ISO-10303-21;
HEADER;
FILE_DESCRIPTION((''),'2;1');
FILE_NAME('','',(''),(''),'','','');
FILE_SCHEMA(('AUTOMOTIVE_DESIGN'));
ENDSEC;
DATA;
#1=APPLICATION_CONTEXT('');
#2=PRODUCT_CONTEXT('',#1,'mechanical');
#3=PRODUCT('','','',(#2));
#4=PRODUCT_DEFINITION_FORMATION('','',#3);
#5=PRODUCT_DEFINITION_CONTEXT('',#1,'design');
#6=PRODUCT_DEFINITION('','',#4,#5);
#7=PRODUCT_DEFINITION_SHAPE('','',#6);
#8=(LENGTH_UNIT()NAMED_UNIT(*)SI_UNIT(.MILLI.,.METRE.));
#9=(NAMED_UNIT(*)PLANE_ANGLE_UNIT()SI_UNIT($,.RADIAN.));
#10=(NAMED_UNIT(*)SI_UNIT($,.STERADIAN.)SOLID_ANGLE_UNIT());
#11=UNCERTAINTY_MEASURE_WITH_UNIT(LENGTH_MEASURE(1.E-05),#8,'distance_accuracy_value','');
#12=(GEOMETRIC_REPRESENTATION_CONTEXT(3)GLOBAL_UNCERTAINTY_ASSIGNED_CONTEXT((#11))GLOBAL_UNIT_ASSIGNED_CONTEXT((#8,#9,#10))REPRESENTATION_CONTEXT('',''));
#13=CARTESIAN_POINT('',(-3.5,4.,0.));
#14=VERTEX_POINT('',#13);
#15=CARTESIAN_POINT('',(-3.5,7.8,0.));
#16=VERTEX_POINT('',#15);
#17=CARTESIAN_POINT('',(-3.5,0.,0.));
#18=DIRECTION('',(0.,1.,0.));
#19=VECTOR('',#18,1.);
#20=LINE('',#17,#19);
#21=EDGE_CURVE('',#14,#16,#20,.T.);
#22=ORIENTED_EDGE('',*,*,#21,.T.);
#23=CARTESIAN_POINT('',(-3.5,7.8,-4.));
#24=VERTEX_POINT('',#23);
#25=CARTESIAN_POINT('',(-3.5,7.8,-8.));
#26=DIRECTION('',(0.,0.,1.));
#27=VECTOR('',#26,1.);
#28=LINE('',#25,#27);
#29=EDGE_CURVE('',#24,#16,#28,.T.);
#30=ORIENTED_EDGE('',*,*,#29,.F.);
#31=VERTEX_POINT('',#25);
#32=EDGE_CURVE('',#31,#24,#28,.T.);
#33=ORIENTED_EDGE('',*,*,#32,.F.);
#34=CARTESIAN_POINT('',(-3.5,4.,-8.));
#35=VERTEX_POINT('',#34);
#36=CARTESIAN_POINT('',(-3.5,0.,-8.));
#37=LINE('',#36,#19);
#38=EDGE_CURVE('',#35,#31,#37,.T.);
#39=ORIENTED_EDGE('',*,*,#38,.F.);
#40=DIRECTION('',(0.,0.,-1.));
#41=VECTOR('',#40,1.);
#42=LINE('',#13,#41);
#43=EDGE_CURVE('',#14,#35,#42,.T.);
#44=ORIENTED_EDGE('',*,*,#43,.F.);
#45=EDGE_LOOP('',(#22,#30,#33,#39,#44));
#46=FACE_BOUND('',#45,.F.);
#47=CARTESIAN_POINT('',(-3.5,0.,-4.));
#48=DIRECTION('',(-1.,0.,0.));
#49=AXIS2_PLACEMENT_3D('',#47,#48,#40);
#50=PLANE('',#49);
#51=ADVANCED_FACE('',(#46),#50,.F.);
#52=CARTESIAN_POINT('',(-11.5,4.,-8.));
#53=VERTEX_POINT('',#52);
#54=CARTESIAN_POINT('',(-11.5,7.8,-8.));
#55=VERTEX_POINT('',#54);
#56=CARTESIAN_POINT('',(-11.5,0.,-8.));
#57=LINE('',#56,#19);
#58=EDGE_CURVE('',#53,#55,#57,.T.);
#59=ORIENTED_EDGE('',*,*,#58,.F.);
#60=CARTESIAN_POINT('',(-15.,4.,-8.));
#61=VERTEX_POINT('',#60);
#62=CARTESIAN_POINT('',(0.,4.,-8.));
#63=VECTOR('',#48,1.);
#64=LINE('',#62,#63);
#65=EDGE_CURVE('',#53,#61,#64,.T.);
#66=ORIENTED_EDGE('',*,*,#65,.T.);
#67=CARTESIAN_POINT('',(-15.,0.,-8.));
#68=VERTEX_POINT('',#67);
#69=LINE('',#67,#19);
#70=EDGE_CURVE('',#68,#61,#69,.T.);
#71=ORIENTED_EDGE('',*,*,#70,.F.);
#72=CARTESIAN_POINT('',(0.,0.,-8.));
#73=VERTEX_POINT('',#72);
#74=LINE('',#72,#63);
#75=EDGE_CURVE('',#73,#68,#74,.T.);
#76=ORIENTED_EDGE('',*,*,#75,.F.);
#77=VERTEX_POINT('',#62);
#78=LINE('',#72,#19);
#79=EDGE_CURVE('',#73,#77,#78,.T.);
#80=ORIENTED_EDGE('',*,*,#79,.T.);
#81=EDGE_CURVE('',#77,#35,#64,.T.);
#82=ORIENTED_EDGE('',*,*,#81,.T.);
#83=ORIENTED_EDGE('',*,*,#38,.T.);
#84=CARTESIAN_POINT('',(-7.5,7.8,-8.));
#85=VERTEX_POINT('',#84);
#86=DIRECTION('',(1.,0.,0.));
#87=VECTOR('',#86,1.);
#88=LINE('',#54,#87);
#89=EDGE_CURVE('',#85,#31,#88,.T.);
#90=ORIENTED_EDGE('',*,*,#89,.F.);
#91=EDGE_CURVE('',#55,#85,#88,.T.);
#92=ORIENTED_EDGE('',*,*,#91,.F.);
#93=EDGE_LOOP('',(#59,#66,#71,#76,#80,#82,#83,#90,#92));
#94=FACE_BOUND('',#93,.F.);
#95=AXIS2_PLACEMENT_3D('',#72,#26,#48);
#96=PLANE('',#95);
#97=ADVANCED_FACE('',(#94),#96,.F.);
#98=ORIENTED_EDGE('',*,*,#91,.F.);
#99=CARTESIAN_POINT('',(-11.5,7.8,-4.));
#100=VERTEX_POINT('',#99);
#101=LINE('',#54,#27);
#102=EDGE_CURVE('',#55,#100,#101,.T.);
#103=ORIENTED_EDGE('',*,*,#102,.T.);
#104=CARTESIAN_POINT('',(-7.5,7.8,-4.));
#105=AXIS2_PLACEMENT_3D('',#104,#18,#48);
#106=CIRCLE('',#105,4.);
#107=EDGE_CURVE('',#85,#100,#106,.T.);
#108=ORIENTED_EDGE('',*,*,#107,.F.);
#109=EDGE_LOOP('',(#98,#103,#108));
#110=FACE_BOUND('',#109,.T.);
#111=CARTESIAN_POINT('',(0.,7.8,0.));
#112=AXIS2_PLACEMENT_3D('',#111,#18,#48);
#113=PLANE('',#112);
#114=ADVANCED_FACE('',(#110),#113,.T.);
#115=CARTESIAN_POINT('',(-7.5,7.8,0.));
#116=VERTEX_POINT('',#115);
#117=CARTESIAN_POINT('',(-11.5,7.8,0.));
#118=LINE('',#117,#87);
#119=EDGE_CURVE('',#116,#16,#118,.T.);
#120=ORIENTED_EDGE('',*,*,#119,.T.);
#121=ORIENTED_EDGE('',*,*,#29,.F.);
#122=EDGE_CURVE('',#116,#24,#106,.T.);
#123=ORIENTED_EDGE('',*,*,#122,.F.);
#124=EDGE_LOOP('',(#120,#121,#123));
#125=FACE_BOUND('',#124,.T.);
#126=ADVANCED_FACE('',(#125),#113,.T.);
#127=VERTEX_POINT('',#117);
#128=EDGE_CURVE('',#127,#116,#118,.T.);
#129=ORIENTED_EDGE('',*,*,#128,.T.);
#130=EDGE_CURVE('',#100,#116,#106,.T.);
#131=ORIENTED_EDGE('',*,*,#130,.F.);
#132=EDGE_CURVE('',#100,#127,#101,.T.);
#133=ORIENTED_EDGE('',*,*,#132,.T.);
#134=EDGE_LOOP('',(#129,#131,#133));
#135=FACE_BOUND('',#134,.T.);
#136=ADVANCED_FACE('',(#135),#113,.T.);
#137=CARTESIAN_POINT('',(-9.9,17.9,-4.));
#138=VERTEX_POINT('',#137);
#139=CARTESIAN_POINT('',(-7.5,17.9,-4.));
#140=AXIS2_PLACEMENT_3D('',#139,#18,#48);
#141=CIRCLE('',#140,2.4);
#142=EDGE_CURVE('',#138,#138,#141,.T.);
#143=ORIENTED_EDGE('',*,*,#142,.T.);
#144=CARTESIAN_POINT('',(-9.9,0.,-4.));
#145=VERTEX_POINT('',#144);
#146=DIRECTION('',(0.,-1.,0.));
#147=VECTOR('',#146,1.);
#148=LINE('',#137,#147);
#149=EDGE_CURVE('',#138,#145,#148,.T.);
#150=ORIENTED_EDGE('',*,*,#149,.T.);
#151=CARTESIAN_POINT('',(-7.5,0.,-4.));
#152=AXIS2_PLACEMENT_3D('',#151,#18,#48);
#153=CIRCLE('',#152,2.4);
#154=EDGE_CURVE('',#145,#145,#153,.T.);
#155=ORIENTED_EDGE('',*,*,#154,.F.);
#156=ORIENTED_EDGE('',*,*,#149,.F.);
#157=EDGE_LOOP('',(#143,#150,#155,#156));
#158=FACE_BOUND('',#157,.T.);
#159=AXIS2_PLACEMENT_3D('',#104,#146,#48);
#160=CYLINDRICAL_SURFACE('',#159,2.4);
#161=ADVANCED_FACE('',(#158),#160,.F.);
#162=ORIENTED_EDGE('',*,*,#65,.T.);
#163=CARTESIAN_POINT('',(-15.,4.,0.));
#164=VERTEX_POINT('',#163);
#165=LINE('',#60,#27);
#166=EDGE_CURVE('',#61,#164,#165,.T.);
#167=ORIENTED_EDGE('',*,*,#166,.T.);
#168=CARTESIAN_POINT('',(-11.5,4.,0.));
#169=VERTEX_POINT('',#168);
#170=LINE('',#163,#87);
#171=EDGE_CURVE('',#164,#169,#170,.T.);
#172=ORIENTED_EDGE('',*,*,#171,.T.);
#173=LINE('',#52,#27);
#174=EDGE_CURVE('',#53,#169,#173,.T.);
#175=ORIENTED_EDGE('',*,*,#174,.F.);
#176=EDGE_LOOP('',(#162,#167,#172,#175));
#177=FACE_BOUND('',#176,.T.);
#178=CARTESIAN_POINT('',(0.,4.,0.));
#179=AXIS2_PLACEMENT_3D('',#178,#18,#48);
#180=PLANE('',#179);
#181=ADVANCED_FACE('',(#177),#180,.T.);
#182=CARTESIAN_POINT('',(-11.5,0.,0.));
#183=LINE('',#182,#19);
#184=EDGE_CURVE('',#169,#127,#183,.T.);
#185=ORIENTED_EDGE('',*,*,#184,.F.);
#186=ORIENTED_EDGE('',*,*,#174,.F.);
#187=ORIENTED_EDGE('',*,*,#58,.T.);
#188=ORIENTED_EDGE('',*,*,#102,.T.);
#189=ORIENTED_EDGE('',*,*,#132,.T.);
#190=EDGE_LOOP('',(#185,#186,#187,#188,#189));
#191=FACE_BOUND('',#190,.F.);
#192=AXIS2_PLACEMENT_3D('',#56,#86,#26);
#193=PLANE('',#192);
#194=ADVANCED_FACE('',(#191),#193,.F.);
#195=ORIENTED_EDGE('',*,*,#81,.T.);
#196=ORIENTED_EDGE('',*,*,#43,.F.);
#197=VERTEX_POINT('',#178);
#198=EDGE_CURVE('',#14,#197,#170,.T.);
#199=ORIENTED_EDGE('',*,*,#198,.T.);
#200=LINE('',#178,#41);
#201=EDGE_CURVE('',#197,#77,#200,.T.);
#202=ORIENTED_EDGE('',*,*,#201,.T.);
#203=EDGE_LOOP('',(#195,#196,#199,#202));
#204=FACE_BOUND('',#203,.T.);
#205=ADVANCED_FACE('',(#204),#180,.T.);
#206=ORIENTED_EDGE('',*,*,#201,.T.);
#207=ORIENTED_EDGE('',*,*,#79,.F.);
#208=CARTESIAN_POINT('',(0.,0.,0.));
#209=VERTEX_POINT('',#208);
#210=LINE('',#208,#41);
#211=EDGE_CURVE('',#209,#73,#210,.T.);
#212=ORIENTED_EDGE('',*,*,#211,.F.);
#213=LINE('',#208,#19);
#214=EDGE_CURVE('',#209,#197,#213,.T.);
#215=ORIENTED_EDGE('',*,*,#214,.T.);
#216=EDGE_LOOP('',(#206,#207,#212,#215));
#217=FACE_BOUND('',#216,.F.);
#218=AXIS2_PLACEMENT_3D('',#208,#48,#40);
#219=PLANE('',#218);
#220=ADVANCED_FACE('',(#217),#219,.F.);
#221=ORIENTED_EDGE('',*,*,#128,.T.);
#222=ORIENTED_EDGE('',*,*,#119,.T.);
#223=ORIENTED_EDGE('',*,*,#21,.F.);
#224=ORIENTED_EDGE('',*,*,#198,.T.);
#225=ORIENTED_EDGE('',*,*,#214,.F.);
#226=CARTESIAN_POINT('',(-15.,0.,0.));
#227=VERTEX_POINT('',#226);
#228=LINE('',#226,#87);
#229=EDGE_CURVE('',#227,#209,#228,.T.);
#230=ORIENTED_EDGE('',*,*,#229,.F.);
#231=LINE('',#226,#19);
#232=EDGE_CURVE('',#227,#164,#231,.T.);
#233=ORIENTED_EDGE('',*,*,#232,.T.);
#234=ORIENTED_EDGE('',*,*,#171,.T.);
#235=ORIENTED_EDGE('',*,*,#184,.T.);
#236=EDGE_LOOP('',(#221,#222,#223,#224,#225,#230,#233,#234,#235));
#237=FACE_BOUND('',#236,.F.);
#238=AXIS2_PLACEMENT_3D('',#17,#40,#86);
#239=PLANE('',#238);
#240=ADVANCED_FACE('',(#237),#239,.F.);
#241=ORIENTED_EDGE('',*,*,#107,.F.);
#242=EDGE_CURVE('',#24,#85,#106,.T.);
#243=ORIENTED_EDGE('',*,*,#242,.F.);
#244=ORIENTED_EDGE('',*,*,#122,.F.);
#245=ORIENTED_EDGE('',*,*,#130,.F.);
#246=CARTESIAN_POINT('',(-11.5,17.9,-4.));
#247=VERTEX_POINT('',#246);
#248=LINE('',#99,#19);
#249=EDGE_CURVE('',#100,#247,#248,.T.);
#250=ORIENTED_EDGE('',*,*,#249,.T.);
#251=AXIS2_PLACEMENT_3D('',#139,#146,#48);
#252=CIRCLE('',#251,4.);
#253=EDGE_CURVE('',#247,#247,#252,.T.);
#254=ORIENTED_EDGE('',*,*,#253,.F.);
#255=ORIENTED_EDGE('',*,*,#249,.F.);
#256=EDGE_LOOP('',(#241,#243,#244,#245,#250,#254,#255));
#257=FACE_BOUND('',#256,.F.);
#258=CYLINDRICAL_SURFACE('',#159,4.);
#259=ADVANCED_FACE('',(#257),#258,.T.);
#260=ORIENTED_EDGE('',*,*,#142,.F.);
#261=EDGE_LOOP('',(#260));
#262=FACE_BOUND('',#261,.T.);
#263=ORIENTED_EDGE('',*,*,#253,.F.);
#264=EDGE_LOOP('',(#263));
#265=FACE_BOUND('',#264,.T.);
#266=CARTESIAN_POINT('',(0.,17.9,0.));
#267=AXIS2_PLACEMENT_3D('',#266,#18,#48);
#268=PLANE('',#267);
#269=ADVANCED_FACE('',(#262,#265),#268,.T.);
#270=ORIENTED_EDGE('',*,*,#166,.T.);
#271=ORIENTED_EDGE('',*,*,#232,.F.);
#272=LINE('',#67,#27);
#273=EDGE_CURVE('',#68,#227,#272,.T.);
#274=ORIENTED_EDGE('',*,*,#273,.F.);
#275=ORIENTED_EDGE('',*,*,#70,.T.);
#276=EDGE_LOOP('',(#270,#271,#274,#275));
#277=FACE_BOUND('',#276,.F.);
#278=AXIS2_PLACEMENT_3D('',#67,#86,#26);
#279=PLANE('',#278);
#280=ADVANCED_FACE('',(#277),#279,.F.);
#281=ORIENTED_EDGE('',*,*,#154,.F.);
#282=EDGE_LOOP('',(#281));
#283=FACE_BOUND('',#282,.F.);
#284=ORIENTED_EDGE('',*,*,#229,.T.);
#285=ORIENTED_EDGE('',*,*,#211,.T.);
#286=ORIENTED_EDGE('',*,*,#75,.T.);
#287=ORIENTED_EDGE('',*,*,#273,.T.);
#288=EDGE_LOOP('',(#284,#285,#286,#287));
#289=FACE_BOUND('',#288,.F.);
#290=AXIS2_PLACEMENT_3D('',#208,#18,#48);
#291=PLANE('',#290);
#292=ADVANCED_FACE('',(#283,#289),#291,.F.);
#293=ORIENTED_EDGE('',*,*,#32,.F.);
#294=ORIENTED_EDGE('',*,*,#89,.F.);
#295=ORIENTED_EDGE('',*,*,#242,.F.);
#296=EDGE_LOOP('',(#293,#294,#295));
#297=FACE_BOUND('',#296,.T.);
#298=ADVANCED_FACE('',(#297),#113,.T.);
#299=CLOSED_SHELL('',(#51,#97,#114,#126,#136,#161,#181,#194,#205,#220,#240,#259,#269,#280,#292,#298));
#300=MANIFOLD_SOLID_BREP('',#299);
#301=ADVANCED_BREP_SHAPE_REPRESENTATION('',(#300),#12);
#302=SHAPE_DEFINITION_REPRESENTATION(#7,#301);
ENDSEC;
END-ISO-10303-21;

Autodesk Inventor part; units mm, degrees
ref_plane "YZ Plane" through (0, 0, 0) normal (1, 0, 0) x (0, 1, 0)
ref_plane "XZ Plane" through (0, 0, 0) normal (0, 1, 0) x (-1, 0, 0)
ref_plane "XY Plane" through (0, 0, 0) normal (0, 0, 1) x (1, 0, 0)
sketch "Sketch1" plane through (0, 0, 0) normal (0, 1, 0) x (-1, 0, 0)
  line L0 (0, -8) -> (15, -8)
  line L1 (15, -8) -> (15, 0)
  line L2 (15, 0) -> (0, 0)
  line L3 (0, 0) -> (0, -8)
  line L4 (7.5, 0) -> (7.5, -8) construction
  line L5 (0, -4) -> (15, -4) construction
  line L6 (3.5, 0) -> (3.5, -8)
  line L7 (11.5, -8) -> (11.5, 0)
  circle A0 centre (7.5, -4) radius 2.4
  circle A1 centre (7.5, -4) radius 4
  dimension "d2" = 15
  dimension "d3" = 8
  dimension "d4" = 4
  dimension "d5" = 4
  dimension "d6" = 4.8
  dimension "d7" = 8
extrude "Extrusion1" add sketch "Sketch1" along normal blind 4 contours L3 L2 L6 L0 | L7 L2 L1 L0
extrude "Extrusion2" add sketch "Sketch1" along normal blind 7.8 contours L6 A1 L0 | A1 L7 L0 | A1 | L6 L2 A1 | A1 L2 L7
extrude "Extrusion3" add sketch "Sketch1" along normal blind 10.1 from surface at 7.8 contours A1
equation "\"d4\" = 0.5 * d3"
equation "\"d5\" = 0.5 * d3"
properties part number "diff_gear_holder_3"
